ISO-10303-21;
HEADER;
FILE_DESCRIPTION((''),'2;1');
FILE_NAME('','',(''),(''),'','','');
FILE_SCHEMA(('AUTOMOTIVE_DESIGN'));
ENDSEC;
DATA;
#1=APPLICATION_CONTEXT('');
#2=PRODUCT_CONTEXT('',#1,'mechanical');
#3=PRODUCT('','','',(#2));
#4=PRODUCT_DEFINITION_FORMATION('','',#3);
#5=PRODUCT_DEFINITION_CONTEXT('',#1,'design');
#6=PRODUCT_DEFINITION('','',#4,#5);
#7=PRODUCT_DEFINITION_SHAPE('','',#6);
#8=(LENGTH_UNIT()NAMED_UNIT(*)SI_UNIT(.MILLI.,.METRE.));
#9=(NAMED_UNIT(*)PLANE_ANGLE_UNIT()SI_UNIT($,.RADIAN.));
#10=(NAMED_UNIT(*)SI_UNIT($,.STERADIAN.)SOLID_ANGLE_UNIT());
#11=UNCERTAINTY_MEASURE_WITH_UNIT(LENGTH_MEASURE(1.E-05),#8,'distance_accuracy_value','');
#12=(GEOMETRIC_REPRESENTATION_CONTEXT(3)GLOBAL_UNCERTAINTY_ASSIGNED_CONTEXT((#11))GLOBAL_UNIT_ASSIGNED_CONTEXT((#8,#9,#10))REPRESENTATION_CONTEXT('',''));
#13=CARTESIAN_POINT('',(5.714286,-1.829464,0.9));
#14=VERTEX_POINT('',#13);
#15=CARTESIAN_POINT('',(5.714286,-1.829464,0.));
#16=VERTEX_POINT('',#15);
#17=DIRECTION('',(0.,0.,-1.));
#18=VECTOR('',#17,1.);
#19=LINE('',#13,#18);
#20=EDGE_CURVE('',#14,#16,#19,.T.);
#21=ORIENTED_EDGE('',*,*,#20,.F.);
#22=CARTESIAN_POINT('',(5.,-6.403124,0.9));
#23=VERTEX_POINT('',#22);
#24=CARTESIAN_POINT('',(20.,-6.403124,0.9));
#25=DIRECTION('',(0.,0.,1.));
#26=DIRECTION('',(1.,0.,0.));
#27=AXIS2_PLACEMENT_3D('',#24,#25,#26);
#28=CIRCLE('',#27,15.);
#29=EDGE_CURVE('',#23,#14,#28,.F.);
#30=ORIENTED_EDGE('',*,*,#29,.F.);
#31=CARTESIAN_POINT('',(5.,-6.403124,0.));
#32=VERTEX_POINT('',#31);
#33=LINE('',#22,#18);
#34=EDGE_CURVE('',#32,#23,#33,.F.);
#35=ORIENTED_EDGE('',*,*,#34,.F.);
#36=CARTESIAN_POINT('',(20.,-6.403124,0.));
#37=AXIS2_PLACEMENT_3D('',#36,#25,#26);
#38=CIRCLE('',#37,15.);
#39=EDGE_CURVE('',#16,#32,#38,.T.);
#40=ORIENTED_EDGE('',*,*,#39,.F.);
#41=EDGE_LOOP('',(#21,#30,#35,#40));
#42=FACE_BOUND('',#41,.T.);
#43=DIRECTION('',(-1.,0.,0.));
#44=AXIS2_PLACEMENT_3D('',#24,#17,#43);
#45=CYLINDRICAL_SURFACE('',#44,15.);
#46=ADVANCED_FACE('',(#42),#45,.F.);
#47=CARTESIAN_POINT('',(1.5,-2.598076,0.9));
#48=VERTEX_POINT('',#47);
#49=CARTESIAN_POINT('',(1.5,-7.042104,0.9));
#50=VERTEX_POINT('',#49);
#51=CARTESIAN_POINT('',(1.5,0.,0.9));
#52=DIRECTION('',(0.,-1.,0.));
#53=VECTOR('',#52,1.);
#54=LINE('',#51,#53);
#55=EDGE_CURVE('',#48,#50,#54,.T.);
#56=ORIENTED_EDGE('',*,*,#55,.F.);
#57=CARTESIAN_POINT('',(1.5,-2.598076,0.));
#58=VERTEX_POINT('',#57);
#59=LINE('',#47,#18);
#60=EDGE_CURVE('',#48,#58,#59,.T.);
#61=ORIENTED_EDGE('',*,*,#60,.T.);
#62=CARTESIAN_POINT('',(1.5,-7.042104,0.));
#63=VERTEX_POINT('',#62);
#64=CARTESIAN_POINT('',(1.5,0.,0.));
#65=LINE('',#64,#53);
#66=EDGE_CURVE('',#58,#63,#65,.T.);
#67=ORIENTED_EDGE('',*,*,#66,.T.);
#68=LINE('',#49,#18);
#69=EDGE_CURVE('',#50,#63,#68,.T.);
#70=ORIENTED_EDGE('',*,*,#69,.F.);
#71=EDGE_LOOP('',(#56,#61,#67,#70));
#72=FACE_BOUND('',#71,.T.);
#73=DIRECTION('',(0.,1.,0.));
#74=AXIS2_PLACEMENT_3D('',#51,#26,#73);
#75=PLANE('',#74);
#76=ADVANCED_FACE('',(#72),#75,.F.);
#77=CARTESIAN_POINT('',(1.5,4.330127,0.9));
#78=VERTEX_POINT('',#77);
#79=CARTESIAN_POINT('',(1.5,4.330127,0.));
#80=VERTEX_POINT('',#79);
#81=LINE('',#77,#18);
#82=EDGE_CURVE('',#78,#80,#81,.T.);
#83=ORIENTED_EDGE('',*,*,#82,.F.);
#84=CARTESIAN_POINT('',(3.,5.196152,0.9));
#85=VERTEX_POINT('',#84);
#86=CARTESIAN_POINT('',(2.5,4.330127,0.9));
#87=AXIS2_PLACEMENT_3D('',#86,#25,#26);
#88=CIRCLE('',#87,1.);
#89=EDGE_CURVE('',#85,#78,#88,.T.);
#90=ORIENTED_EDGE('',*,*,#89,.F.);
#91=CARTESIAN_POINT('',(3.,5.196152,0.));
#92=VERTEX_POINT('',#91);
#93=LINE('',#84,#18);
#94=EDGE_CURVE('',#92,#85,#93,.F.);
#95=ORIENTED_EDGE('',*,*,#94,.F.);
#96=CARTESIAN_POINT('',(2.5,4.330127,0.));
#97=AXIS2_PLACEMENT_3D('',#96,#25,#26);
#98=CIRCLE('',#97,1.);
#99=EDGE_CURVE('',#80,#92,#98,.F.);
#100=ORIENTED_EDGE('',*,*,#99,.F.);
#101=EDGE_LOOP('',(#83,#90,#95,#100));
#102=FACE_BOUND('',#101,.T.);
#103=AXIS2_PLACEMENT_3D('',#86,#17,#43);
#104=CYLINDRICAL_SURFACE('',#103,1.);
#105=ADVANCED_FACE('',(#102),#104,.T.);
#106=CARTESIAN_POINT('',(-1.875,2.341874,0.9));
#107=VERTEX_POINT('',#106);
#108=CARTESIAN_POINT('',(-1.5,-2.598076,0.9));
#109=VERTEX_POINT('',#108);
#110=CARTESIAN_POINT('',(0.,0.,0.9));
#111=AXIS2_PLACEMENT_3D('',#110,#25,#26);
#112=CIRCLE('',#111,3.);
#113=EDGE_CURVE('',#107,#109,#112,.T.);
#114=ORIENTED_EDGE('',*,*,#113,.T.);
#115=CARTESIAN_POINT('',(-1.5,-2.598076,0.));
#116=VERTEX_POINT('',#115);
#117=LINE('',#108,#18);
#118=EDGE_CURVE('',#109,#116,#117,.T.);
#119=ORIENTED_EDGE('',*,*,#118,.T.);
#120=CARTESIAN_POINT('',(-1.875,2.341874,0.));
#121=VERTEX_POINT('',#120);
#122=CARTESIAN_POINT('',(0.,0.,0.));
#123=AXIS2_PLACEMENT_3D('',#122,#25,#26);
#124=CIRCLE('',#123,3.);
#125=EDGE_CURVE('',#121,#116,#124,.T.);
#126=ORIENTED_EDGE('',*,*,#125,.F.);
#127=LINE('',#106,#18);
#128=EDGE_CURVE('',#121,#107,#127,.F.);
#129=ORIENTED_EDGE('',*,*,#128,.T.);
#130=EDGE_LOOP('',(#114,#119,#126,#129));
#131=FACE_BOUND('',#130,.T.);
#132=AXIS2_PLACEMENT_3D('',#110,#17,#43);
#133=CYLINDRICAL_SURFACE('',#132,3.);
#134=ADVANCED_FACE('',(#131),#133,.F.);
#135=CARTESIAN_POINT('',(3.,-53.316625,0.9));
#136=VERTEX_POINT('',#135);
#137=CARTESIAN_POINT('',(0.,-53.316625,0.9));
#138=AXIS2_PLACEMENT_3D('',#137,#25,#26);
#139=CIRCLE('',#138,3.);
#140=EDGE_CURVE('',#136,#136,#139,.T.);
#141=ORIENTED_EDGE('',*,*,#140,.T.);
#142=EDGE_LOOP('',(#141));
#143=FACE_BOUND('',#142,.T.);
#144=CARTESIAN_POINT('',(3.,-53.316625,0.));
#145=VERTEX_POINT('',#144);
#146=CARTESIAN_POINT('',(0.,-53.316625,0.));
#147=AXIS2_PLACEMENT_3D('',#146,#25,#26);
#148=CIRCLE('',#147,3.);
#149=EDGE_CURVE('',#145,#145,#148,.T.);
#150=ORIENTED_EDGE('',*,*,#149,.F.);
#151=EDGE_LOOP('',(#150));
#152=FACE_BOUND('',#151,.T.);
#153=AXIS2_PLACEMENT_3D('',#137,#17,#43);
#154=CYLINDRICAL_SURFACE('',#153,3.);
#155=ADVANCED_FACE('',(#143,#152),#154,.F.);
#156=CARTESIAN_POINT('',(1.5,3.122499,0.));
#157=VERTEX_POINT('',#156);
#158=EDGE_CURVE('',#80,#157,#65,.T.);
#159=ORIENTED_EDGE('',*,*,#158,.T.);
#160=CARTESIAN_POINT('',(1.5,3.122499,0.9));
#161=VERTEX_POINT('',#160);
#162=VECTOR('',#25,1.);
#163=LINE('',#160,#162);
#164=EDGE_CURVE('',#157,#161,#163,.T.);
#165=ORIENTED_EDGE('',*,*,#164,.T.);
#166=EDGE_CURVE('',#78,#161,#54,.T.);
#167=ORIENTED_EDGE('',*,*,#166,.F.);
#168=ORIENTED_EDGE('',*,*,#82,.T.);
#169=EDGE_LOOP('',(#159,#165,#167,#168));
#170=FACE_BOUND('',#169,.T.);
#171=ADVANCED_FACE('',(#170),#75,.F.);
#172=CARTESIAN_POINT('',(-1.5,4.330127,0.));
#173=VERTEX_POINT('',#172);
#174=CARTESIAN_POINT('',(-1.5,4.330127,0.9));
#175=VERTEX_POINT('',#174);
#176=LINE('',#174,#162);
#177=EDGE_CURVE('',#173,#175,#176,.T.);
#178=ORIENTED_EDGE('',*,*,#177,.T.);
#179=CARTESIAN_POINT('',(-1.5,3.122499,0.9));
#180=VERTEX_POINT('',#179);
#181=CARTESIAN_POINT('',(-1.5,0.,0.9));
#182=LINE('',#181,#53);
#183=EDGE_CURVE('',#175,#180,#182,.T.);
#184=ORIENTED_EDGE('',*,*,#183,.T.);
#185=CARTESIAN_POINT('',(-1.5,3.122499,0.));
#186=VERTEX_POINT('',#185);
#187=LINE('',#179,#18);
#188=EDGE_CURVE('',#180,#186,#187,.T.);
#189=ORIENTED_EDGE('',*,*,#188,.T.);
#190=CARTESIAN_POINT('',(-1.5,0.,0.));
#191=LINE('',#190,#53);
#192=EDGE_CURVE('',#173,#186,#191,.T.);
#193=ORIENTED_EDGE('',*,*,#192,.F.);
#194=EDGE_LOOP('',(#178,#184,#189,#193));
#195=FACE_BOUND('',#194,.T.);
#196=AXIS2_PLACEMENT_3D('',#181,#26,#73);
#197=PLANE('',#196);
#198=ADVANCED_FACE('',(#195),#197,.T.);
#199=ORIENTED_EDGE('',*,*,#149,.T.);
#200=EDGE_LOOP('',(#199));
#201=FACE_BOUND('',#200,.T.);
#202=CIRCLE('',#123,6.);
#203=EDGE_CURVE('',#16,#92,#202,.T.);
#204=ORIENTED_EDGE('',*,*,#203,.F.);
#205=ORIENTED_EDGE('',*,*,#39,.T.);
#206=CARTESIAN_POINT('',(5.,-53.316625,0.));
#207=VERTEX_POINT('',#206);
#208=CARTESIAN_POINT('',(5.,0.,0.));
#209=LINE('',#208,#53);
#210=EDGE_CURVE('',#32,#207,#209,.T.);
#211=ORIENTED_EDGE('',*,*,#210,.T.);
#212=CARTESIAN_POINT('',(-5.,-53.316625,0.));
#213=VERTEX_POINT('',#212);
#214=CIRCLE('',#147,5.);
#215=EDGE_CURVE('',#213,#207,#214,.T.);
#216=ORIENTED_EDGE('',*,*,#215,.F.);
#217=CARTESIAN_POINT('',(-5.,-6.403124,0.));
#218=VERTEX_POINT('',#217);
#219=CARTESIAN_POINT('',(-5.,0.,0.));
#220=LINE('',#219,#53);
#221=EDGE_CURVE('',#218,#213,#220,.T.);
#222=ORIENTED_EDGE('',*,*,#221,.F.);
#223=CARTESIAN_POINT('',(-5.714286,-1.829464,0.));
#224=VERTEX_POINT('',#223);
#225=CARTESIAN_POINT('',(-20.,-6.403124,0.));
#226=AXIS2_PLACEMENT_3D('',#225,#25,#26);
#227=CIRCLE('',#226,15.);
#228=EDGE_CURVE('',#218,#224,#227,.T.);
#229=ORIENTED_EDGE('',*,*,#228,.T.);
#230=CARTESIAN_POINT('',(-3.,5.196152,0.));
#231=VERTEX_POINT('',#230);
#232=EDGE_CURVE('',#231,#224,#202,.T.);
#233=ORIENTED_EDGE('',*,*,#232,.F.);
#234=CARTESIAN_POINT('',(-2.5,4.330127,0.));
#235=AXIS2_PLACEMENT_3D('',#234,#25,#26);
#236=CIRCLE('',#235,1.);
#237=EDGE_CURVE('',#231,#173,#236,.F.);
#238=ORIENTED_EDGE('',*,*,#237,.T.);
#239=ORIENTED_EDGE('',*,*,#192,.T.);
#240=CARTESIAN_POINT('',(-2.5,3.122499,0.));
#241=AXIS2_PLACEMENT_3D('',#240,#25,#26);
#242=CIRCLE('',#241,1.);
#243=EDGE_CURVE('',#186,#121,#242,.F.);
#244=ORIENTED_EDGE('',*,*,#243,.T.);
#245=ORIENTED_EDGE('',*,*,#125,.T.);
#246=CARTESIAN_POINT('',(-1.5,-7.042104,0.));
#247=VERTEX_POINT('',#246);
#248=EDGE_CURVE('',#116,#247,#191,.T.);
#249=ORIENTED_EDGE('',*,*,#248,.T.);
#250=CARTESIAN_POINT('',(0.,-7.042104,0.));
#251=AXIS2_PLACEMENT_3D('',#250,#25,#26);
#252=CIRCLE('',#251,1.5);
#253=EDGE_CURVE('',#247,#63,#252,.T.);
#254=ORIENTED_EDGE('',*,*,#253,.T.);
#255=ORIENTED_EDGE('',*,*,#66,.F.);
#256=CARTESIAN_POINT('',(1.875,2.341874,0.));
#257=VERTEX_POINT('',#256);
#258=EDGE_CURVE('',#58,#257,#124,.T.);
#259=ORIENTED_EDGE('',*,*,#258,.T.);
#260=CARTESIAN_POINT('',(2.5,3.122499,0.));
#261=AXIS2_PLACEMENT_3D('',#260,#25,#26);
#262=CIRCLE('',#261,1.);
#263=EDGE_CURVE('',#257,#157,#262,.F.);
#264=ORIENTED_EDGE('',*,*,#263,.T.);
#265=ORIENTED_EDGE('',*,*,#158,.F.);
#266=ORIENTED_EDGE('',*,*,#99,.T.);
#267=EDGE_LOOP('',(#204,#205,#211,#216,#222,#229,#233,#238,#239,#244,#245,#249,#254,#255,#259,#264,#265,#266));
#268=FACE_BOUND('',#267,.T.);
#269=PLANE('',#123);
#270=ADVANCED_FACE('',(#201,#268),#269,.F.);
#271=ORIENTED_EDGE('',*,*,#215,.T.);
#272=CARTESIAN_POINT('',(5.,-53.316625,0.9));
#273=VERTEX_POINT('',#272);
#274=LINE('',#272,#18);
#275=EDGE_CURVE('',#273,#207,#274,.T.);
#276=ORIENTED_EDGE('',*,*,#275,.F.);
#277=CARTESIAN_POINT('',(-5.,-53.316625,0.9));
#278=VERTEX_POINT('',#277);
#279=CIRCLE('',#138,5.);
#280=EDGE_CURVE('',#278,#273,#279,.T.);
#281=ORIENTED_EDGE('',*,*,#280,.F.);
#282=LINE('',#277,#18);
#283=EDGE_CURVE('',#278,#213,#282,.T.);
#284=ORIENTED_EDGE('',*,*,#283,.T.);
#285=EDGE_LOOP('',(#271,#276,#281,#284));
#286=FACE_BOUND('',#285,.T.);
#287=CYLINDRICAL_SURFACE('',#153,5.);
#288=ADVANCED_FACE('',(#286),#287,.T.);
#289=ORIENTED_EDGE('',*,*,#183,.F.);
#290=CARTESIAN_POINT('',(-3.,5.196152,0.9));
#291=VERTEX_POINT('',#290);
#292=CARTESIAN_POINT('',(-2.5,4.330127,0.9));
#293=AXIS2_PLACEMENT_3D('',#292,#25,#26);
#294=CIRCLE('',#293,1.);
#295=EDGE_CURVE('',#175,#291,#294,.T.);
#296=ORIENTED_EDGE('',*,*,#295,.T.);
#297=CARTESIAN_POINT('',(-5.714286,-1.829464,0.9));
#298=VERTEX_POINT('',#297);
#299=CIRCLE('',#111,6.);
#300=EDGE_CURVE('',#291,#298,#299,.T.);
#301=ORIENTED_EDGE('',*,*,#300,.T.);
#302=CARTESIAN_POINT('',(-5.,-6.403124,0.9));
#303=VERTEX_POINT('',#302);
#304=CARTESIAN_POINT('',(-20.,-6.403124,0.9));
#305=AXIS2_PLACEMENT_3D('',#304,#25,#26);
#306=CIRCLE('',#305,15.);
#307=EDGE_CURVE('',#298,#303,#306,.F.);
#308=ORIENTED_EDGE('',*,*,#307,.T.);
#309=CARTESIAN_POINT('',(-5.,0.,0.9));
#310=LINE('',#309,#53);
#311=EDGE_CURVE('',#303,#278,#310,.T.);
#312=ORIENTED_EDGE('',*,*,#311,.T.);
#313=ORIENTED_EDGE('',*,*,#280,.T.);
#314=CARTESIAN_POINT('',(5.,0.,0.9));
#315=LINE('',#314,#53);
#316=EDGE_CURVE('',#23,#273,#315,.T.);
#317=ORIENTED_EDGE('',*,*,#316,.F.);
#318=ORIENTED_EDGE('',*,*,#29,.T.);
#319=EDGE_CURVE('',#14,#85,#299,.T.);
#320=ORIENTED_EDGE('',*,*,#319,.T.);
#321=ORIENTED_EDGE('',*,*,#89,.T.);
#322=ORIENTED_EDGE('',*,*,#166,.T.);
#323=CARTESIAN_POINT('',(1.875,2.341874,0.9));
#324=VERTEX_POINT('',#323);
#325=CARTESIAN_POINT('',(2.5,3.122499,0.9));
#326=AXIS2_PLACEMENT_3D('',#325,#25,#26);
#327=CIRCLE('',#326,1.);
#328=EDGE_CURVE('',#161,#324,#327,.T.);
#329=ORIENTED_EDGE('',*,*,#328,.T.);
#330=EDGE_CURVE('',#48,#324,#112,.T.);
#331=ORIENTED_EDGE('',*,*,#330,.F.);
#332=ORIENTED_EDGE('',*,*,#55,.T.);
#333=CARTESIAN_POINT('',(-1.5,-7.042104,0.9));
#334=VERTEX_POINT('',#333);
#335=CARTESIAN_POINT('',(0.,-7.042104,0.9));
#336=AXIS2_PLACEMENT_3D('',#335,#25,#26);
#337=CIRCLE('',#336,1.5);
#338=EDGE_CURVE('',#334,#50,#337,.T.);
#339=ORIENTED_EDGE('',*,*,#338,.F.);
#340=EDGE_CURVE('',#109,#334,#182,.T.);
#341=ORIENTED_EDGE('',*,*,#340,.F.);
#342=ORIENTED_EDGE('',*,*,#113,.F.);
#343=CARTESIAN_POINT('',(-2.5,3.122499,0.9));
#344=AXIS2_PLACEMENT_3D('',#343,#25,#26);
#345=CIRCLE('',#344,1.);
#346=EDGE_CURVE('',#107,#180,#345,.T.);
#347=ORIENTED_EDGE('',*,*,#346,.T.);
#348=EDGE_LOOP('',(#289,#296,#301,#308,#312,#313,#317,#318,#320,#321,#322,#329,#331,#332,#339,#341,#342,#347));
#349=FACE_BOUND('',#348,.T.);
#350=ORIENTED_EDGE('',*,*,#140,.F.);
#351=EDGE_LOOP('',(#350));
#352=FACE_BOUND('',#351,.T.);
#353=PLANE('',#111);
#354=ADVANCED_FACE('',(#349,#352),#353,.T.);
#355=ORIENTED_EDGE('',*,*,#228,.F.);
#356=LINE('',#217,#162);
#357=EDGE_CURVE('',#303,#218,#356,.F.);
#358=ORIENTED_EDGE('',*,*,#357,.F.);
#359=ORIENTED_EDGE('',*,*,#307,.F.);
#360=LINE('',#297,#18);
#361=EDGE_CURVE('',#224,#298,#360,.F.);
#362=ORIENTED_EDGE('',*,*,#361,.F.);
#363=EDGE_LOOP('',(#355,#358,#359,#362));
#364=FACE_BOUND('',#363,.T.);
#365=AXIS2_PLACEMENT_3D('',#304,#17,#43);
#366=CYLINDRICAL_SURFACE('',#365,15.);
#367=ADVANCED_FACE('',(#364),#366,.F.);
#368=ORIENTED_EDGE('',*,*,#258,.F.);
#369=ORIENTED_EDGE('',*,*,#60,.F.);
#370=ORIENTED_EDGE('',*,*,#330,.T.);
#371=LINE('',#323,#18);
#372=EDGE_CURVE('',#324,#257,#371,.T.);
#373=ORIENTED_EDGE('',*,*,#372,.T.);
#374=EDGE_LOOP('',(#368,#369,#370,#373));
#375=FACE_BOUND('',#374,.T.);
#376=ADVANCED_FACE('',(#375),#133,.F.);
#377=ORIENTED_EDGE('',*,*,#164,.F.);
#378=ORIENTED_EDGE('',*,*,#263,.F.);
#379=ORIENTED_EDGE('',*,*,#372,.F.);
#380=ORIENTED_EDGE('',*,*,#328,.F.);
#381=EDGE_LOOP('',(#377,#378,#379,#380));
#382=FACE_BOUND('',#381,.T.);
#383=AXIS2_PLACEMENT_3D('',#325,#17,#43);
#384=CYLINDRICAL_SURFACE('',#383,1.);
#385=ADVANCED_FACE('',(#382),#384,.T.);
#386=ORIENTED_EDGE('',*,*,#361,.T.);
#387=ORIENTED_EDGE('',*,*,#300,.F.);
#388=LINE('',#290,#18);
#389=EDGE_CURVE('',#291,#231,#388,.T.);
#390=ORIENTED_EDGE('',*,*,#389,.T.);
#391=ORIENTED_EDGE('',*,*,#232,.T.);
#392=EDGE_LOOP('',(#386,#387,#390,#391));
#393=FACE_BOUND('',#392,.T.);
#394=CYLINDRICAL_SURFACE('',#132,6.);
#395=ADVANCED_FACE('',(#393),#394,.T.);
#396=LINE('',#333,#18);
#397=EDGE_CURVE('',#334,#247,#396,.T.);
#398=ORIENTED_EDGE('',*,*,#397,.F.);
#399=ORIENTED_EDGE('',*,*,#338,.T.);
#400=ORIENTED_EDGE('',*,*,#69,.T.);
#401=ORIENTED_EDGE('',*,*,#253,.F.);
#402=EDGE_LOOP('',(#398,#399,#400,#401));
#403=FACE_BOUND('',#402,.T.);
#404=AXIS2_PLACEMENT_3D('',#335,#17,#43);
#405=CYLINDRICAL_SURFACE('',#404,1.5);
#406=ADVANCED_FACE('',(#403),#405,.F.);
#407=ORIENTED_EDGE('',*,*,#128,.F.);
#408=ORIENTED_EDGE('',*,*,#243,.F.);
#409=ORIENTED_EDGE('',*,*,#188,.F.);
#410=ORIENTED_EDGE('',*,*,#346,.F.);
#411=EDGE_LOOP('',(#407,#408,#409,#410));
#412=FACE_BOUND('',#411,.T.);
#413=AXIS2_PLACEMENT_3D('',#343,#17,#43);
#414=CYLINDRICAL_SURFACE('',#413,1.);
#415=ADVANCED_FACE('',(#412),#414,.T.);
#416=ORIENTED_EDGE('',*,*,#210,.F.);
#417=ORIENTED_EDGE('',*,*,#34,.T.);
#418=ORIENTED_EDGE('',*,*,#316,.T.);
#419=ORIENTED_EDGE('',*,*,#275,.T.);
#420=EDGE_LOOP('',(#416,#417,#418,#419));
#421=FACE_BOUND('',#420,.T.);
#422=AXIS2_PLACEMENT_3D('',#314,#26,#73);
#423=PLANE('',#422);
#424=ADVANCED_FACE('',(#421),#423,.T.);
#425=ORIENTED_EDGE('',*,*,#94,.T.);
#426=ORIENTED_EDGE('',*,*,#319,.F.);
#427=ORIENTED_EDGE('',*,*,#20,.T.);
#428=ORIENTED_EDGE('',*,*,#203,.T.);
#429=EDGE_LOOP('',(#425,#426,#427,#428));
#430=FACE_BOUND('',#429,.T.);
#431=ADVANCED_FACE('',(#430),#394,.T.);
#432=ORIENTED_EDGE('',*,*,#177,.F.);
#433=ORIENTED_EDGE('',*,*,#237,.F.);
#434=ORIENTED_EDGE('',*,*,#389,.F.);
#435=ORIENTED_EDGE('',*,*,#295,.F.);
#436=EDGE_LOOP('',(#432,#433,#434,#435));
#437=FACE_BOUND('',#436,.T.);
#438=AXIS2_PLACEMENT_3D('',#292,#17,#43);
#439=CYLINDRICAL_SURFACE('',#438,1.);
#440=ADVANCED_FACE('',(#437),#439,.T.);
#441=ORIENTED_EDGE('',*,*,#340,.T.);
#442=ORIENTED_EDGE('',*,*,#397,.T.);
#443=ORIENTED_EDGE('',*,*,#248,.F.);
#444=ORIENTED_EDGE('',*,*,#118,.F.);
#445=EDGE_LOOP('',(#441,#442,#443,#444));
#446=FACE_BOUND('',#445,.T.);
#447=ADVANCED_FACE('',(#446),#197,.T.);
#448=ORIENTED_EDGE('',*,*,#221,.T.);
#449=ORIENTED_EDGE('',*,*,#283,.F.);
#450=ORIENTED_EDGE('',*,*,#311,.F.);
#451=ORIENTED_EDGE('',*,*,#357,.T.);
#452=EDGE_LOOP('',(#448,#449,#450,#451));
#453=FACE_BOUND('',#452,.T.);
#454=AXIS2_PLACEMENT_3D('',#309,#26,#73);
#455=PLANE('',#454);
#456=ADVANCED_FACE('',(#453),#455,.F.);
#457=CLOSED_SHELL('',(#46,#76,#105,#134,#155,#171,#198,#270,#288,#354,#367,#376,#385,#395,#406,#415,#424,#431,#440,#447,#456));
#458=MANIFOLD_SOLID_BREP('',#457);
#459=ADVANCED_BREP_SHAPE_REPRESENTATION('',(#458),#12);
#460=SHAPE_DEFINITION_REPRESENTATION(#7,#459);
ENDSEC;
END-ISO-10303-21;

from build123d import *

# Parameters (mm, degrees)
ESQUISSE1_R        = 3
BOSS_EXTRU_1_DEPTH = 0.9
CONG_1_R           = 15
CONG_2_R           = 1


with BuildPart() as part:
    # Esquisse1 → Boss.-Extru.1 (new body)
    with BuildSketch(Plane.XY):
        with BuildLine():
            Line((-1.5, 2.598076211), (-1.5, 5.809475019))
            ThreePointArc((-1.5, 5.809475019), (-5.602135703, 2.148505426), (-5, -3.31662479))
            Line((-5, -3.31662479), (-5, -53.31662479))
            ThreePointArc((-5, -53.31662479), (0, -58.31662479), (5, -53.31662479))
            Line((5, -53.31662479), (5, -3.31662479))
            ThreePointArc((5, -3.31662479), (5.602135703, 2.148505426), (1.5, 5.809475019))
            Line((1.5, 5.809475019), (1.5, 2.598076211))
            ThreePointArc((1.5, 2.598076211), (3, 0), (1.5, -2.598076211))
            Line((1.5, -2.598076211), (1.5, -7.04210447))
            ThreePointArc((1.5, -7.04210447), (0, -8.54210447), (-1.5, -7.04210447))
            Line((-1.5, -7.04210447), (-1.5, -2.598076211))
            ThreePointArc((-1.5, -2.598076211), (-3, 0), (-1.5, 2.598076211))
        make_face()
        with Locations((0, -53.31662479)):
            Circle(ESQUISSE1_R, mode=Mode.SUBTRACT)
    extrude(amount=BOSS_EXTRU_1_DEPTH)

    # Congé1
    cong_1_edges = [part.edges().sort_by_distance(p)[0] for p in [
        (5, -3.31662479, 0.45),
        (-5, -3.31662479, 0.45),
    ]]
    fillet(cong_1_edges, radius=CONG_1_R)

    # Congé2
    cong_2_edges = [part.edges().sort_by_distance(p)[0] for p in [
        (1.5, 2.598076211, 0.45),
        (1.5, 5.809475019, 0.45),
        (-1.5, 5.809475019, 0.45),
        (-1.5, 2.598076211, 0.45),
    ]]
    fillet(cong_2_edges, radius=CONG_2_R)


solid = part.part
